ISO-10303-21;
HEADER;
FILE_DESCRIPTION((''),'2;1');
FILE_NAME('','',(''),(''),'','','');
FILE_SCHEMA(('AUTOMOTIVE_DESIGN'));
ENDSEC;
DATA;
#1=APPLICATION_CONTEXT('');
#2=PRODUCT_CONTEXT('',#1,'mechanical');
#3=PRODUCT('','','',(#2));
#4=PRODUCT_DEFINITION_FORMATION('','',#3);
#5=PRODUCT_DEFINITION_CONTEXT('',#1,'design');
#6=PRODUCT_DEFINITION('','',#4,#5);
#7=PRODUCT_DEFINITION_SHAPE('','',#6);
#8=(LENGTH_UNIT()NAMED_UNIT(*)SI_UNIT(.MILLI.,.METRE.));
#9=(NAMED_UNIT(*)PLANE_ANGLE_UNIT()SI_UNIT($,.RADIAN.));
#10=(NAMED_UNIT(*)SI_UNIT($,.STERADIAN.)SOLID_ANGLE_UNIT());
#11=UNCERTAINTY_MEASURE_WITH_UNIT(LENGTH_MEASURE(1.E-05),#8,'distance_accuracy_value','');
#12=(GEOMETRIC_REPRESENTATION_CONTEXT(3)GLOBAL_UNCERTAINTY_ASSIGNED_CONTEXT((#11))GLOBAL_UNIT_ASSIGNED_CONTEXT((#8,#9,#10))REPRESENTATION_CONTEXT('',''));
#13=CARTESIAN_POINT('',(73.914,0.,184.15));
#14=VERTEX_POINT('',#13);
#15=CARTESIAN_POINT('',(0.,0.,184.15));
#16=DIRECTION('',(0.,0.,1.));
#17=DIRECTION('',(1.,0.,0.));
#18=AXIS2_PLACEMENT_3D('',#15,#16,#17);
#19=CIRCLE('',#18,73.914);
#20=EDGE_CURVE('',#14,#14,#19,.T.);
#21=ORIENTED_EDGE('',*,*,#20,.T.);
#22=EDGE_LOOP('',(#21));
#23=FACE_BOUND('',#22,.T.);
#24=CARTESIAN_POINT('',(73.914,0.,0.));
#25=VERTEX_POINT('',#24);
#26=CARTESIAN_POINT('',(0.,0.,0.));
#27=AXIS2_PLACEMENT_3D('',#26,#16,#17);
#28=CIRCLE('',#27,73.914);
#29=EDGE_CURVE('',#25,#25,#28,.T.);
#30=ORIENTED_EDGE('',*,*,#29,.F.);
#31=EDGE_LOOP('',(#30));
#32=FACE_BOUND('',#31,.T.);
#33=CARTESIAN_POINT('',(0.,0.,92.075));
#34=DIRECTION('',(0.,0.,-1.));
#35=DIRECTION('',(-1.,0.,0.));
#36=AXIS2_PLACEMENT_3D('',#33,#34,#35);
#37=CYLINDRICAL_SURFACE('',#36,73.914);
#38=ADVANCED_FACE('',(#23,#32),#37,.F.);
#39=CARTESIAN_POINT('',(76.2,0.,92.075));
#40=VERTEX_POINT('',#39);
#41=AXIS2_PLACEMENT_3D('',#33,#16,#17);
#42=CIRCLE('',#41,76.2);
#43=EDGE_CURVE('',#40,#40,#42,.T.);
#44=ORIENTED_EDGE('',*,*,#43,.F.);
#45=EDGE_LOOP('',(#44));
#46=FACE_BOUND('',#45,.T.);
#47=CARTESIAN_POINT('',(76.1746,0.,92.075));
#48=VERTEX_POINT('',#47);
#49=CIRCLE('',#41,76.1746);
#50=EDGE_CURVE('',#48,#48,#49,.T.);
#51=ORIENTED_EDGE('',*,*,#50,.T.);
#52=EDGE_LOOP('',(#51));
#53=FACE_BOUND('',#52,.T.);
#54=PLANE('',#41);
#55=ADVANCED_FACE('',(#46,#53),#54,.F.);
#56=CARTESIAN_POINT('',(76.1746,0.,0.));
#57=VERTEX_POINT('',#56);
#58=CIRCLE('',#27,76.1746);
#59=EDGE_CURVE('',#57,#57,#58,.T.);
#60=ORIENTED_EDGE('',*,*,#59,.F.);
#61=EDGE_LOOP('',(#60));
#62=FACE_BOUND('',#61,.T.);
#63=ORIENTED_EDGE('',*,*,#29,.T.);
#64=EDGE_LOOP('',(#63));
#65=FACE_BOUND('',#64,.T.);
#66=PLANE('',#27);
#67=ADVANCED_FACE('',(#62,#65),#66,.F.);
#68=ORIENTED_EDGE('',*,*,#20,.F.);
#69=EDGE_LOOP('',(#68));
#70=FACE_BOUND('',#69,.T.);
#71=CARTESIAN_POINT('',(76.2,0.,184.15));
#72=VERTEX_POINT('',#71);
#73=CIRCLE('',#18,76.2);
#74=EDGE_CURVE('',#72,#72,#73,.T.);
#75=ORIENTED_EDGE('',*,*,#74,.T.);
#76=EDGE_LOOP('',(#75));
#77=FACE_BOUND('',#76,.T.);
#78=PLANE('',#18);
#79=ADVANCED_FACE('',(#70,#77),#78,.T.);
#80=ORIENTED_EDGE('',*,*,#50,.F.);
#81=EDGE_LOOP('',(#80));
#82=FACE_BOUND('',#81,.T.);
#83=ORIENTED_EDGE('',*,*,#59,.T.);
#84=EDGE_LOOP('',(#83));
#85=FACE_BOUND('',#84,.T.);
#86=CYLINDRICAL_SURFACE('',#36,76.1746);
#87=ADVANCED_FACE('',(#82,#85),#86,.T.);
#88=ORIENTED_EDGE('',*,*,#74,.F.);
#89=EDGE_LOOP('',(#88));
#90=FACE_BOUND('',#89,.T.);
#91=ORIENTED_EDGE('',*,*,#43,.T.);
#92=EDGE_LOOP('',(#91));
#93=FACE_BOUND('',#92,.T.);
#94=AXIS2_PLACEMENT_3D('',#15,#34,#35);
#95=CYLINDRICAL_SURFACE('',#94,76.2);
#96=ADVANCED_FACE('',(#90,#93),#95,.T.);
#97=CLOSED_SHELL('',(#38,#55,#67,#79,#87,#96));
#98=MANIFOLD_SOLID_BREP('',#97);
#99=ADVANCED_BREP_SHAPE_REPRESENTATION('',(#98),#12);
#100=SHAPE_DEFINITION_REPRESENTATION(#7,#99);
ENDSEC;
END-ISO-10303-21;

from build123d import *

# Parameters (mm, degrees)
ESQUISSE2_R        = 76.1746
ESQUISSE2_R_2      = 73.914
BOSS_EXTRU_1_DEPTH = 92.075
ESQUISSE3_R        = 76.2
ESQUISSE3_R_2      = 73.914
BOSS_EXTRU_2_DEPTH = 92.075


with BuildPart() as part:
    # Esquisse2 → Boss.-Extru.1 (new body)
    with BuildSketch(Plane.XY):
        Circle(ESQUISSE2_R)
        Circle(ESQUISSE2_R_2, mode=Mode.SUBTRACT)
    extrude(amount=BOSS_EXTRU_1_DEPTH)

    # Esquisse3 → Boss.-Extru.2 (add)
    with BuildSketch(Plane.XY.offset(92.075)):
        Circle(ESQUISSE3_R)
        Circle(ESQUISSE3_R_2, mode=Mode.SUBTRACT)
    extrude(amount=BOSS_EXTRU_2_DEPTH)


solid = part.part
